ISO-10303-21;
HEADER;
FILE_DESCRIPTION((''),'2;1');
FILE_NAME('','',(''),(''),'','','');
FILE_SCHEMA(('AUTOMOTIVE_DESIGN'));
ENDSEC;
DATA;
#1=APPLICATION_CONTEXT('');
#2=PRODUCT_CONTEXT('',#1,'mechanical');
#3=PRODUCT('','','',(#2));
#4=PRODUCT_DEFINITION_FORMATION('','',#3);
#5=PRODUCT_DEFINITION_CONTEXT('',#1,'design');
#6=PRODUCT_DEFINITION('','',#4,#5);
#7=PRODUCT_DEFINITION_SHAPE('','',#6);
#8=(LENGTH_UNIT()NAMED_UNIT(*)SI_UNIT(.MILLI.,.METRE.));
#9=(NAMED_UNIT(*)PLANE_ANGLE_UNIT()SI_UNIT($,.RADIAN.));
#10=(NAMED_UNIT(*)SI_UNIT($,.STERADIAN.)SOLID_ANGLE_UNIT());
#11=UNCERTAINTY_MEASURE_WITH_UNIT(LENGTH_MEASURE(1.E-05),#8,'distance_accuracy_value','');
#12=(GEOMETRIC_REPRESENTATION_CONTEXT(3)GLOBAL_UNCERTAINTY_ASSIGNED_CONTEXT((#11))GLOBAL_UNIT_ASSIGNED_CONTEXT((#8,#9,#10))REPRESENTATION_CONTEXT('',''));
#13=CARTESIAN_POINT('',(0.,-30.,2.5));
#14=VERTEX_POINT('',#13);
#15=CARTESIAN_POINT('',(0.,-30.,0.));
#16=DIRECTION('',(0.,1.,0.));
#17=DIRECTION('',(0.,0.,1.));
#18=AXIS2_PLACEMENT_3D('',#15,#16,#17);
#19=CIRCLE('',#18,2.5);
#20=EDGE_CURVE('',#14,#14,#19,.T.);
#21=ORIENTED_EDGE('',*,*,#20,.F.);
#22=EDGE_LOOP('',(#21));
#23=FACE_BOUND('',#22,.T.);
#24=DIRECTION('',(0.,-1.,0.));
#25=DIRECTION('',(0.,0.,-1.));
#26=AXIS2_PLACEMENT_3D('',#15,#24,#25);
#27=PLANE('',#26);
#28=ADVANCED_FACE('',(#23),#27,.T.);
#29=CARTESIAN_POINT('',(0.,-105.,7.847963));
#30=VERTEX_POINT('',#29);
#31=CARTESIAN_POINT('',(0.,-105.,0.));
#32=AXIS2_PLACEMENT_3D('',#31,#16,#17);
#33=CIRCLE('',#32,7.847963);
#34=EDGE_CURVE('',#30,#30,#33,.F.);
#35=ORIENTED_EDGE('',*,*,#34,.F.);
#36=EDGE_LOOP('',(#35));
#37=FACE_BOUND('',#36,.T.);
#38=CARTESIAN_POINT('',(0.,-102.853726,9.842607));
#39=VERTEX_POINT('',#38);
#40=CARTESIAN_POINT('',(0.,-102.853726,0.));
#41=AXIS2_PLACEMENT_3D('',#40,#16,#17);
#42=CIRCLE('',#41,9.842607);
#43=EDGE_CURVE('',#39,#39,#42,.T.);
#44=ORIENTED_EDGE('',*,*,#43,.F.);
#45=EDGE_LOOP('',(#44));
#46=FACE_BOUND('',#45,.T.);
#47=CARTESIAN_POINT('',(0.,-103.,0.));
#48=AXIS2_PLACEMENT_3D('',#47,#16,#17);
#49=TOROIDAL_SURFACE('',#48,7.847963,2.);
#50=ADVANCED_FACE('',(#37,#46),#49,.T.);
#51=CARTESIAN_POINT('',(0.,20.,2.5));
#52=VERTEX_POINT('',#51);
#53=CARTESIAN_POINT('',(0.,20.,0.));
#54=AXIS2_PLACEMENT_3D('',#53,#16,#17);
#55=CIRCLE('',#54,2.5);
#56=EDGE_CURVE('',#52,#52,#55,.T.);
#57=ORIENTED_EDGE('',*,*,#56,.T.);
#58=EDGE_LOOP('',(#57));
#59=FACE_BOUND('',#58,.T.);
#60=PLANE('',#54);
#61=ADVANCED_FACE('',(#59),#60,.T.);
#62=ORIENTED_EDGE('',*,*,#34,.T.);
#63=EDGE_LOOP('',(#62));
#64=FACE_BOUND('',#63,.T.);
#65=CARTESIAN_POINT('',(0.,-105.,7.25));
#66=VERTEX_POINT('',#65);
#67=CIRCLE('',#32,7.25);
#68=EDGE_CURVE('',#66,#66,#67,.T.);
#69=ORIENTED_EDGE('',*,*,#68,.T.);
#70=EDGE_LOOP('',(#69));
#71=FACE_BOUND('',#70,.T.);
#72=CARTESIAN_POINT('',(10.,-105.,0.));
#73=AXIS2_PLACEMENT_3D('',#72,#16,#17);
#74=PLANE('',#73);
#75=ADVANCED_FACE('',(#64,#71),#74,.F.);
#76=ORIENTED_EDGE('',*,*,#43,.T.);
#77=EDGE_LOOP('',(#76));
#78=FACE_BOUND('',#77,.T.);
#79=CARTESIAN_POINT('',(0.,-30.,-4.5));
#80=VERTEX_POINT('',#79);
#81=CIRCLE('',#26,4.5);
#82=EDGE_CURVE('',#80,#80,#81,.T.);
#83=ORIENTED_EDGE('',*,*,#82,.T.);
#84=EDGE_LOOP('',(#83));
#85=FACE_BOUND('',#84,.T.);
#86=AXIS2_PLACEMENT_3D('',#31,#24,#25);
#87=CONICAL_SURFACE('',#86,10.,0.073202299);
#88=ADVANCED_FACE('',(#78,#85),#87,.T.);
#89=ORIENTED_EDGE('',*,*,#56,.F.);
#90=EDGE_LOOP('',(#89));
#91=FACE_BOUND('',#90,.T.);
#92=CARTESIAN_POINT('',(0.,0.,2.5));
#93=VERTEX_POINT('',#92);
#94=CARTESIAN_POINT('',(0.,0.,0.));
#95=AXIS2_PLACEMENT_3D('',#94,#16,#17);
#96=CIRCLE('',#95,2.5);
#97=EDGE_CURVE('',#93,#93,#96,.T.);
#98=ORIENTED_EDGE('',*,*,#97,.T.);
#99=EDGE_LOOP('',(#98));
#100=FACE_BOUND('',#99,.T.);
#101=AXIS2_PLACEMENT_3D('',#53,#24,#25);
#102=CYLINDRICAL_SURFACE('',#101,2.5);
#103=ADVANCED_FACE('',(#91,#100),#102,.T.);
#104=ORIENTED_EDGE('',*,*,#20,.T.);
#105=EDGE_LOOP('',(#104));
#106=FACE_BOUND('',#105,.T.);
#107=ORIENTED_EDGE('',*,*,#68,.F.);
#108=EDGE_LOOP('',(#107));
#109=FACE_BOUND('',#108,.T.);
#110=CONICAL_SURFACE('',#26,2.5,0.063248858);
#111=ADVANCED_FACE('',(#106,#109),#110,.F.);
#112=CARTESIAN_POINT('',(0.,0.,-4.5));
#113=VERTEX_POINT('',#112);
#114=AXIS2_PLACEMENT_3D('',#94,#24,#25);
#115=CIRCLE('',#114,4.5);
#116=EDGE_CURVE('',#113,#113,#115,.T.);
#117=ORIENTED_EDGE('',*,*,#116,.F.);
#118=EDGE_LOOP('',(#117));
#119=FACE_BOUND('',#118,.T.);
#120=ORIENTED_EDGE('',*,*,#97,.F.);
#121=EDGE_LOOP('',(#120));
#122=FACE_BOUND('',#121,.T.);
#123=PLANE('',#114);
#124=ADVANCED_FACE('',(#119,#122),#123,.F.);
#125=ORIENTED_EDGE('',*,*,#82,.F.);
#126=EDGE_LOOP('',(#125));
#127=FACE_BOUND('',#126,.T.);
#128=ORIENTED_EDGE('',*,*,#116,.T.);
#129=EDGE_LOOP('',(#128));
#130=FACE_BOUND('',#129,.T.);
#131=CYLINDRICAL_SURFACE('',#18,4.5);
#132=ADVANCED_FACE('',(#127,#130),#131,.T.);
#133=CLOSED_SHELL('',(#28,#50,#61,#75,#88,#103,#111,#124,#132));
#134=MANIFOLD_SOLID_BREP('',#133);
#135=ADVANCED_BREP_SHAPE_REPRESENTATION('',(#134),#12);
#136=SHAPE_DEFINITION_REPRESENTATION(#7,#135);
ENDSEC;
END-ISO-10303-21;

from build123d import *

# Parameters (mm, degrees)
SKETCH1_R           = 2.5
BOSS_EXTRUDE1_DEPTH = 20
SKETCH2_R           = 4.5
BOSS_EXTRUDE2_DEPTH = 30
FILLET1_R           = 2


with BuildPart() as part:
    # Sketch1 → Boss-Extrude1 (new body)
    with BuildSketch(Plane(origin=(0, 0, 0), x_dir=(1, 0, 0), z_dir=(0, 1, 0))):
        with Locations(Location((0, 0, 0), (0, 0, 270))):
            Circle(SKETCH1_R)
    extrude(amount=BOSS_EXTRUDE1_DEPTH)

    # Sketch2 → Boss-Extrude2 (add)
    with BuildSketch(Plane.XZ):
        with Locations(Location((0, 0, 0), (0, 0, 270))):
            Circle(SKETCH2_R)
    extrude(amount=BOSS_EXTRUDE2_DEPTH)

    # Sketch3 → Revolve1 (revolve)
    with BuildSketch(Plane.XY, mode=Mode.PRIVATE) as revolve1_sk:
        Polygon((10, -105), (4.5, -30), (2.5, -30), (7.25, -105), align=None)
    revolve(revolve1_sk.sketch.rotate(Axis((0, -30, 0), (0, -1, 0)), 270), axis=Axis((0, -30, 0), (0, -1, 0)))

    # Fillet1
    fillet1_edges = [part.edges().sort_by_distance(p)[0] for p in [
        (0, -105, 10),
    ]]
    fillet(fillet1_edges, radius=FILLET1_R)


solid = part.part
